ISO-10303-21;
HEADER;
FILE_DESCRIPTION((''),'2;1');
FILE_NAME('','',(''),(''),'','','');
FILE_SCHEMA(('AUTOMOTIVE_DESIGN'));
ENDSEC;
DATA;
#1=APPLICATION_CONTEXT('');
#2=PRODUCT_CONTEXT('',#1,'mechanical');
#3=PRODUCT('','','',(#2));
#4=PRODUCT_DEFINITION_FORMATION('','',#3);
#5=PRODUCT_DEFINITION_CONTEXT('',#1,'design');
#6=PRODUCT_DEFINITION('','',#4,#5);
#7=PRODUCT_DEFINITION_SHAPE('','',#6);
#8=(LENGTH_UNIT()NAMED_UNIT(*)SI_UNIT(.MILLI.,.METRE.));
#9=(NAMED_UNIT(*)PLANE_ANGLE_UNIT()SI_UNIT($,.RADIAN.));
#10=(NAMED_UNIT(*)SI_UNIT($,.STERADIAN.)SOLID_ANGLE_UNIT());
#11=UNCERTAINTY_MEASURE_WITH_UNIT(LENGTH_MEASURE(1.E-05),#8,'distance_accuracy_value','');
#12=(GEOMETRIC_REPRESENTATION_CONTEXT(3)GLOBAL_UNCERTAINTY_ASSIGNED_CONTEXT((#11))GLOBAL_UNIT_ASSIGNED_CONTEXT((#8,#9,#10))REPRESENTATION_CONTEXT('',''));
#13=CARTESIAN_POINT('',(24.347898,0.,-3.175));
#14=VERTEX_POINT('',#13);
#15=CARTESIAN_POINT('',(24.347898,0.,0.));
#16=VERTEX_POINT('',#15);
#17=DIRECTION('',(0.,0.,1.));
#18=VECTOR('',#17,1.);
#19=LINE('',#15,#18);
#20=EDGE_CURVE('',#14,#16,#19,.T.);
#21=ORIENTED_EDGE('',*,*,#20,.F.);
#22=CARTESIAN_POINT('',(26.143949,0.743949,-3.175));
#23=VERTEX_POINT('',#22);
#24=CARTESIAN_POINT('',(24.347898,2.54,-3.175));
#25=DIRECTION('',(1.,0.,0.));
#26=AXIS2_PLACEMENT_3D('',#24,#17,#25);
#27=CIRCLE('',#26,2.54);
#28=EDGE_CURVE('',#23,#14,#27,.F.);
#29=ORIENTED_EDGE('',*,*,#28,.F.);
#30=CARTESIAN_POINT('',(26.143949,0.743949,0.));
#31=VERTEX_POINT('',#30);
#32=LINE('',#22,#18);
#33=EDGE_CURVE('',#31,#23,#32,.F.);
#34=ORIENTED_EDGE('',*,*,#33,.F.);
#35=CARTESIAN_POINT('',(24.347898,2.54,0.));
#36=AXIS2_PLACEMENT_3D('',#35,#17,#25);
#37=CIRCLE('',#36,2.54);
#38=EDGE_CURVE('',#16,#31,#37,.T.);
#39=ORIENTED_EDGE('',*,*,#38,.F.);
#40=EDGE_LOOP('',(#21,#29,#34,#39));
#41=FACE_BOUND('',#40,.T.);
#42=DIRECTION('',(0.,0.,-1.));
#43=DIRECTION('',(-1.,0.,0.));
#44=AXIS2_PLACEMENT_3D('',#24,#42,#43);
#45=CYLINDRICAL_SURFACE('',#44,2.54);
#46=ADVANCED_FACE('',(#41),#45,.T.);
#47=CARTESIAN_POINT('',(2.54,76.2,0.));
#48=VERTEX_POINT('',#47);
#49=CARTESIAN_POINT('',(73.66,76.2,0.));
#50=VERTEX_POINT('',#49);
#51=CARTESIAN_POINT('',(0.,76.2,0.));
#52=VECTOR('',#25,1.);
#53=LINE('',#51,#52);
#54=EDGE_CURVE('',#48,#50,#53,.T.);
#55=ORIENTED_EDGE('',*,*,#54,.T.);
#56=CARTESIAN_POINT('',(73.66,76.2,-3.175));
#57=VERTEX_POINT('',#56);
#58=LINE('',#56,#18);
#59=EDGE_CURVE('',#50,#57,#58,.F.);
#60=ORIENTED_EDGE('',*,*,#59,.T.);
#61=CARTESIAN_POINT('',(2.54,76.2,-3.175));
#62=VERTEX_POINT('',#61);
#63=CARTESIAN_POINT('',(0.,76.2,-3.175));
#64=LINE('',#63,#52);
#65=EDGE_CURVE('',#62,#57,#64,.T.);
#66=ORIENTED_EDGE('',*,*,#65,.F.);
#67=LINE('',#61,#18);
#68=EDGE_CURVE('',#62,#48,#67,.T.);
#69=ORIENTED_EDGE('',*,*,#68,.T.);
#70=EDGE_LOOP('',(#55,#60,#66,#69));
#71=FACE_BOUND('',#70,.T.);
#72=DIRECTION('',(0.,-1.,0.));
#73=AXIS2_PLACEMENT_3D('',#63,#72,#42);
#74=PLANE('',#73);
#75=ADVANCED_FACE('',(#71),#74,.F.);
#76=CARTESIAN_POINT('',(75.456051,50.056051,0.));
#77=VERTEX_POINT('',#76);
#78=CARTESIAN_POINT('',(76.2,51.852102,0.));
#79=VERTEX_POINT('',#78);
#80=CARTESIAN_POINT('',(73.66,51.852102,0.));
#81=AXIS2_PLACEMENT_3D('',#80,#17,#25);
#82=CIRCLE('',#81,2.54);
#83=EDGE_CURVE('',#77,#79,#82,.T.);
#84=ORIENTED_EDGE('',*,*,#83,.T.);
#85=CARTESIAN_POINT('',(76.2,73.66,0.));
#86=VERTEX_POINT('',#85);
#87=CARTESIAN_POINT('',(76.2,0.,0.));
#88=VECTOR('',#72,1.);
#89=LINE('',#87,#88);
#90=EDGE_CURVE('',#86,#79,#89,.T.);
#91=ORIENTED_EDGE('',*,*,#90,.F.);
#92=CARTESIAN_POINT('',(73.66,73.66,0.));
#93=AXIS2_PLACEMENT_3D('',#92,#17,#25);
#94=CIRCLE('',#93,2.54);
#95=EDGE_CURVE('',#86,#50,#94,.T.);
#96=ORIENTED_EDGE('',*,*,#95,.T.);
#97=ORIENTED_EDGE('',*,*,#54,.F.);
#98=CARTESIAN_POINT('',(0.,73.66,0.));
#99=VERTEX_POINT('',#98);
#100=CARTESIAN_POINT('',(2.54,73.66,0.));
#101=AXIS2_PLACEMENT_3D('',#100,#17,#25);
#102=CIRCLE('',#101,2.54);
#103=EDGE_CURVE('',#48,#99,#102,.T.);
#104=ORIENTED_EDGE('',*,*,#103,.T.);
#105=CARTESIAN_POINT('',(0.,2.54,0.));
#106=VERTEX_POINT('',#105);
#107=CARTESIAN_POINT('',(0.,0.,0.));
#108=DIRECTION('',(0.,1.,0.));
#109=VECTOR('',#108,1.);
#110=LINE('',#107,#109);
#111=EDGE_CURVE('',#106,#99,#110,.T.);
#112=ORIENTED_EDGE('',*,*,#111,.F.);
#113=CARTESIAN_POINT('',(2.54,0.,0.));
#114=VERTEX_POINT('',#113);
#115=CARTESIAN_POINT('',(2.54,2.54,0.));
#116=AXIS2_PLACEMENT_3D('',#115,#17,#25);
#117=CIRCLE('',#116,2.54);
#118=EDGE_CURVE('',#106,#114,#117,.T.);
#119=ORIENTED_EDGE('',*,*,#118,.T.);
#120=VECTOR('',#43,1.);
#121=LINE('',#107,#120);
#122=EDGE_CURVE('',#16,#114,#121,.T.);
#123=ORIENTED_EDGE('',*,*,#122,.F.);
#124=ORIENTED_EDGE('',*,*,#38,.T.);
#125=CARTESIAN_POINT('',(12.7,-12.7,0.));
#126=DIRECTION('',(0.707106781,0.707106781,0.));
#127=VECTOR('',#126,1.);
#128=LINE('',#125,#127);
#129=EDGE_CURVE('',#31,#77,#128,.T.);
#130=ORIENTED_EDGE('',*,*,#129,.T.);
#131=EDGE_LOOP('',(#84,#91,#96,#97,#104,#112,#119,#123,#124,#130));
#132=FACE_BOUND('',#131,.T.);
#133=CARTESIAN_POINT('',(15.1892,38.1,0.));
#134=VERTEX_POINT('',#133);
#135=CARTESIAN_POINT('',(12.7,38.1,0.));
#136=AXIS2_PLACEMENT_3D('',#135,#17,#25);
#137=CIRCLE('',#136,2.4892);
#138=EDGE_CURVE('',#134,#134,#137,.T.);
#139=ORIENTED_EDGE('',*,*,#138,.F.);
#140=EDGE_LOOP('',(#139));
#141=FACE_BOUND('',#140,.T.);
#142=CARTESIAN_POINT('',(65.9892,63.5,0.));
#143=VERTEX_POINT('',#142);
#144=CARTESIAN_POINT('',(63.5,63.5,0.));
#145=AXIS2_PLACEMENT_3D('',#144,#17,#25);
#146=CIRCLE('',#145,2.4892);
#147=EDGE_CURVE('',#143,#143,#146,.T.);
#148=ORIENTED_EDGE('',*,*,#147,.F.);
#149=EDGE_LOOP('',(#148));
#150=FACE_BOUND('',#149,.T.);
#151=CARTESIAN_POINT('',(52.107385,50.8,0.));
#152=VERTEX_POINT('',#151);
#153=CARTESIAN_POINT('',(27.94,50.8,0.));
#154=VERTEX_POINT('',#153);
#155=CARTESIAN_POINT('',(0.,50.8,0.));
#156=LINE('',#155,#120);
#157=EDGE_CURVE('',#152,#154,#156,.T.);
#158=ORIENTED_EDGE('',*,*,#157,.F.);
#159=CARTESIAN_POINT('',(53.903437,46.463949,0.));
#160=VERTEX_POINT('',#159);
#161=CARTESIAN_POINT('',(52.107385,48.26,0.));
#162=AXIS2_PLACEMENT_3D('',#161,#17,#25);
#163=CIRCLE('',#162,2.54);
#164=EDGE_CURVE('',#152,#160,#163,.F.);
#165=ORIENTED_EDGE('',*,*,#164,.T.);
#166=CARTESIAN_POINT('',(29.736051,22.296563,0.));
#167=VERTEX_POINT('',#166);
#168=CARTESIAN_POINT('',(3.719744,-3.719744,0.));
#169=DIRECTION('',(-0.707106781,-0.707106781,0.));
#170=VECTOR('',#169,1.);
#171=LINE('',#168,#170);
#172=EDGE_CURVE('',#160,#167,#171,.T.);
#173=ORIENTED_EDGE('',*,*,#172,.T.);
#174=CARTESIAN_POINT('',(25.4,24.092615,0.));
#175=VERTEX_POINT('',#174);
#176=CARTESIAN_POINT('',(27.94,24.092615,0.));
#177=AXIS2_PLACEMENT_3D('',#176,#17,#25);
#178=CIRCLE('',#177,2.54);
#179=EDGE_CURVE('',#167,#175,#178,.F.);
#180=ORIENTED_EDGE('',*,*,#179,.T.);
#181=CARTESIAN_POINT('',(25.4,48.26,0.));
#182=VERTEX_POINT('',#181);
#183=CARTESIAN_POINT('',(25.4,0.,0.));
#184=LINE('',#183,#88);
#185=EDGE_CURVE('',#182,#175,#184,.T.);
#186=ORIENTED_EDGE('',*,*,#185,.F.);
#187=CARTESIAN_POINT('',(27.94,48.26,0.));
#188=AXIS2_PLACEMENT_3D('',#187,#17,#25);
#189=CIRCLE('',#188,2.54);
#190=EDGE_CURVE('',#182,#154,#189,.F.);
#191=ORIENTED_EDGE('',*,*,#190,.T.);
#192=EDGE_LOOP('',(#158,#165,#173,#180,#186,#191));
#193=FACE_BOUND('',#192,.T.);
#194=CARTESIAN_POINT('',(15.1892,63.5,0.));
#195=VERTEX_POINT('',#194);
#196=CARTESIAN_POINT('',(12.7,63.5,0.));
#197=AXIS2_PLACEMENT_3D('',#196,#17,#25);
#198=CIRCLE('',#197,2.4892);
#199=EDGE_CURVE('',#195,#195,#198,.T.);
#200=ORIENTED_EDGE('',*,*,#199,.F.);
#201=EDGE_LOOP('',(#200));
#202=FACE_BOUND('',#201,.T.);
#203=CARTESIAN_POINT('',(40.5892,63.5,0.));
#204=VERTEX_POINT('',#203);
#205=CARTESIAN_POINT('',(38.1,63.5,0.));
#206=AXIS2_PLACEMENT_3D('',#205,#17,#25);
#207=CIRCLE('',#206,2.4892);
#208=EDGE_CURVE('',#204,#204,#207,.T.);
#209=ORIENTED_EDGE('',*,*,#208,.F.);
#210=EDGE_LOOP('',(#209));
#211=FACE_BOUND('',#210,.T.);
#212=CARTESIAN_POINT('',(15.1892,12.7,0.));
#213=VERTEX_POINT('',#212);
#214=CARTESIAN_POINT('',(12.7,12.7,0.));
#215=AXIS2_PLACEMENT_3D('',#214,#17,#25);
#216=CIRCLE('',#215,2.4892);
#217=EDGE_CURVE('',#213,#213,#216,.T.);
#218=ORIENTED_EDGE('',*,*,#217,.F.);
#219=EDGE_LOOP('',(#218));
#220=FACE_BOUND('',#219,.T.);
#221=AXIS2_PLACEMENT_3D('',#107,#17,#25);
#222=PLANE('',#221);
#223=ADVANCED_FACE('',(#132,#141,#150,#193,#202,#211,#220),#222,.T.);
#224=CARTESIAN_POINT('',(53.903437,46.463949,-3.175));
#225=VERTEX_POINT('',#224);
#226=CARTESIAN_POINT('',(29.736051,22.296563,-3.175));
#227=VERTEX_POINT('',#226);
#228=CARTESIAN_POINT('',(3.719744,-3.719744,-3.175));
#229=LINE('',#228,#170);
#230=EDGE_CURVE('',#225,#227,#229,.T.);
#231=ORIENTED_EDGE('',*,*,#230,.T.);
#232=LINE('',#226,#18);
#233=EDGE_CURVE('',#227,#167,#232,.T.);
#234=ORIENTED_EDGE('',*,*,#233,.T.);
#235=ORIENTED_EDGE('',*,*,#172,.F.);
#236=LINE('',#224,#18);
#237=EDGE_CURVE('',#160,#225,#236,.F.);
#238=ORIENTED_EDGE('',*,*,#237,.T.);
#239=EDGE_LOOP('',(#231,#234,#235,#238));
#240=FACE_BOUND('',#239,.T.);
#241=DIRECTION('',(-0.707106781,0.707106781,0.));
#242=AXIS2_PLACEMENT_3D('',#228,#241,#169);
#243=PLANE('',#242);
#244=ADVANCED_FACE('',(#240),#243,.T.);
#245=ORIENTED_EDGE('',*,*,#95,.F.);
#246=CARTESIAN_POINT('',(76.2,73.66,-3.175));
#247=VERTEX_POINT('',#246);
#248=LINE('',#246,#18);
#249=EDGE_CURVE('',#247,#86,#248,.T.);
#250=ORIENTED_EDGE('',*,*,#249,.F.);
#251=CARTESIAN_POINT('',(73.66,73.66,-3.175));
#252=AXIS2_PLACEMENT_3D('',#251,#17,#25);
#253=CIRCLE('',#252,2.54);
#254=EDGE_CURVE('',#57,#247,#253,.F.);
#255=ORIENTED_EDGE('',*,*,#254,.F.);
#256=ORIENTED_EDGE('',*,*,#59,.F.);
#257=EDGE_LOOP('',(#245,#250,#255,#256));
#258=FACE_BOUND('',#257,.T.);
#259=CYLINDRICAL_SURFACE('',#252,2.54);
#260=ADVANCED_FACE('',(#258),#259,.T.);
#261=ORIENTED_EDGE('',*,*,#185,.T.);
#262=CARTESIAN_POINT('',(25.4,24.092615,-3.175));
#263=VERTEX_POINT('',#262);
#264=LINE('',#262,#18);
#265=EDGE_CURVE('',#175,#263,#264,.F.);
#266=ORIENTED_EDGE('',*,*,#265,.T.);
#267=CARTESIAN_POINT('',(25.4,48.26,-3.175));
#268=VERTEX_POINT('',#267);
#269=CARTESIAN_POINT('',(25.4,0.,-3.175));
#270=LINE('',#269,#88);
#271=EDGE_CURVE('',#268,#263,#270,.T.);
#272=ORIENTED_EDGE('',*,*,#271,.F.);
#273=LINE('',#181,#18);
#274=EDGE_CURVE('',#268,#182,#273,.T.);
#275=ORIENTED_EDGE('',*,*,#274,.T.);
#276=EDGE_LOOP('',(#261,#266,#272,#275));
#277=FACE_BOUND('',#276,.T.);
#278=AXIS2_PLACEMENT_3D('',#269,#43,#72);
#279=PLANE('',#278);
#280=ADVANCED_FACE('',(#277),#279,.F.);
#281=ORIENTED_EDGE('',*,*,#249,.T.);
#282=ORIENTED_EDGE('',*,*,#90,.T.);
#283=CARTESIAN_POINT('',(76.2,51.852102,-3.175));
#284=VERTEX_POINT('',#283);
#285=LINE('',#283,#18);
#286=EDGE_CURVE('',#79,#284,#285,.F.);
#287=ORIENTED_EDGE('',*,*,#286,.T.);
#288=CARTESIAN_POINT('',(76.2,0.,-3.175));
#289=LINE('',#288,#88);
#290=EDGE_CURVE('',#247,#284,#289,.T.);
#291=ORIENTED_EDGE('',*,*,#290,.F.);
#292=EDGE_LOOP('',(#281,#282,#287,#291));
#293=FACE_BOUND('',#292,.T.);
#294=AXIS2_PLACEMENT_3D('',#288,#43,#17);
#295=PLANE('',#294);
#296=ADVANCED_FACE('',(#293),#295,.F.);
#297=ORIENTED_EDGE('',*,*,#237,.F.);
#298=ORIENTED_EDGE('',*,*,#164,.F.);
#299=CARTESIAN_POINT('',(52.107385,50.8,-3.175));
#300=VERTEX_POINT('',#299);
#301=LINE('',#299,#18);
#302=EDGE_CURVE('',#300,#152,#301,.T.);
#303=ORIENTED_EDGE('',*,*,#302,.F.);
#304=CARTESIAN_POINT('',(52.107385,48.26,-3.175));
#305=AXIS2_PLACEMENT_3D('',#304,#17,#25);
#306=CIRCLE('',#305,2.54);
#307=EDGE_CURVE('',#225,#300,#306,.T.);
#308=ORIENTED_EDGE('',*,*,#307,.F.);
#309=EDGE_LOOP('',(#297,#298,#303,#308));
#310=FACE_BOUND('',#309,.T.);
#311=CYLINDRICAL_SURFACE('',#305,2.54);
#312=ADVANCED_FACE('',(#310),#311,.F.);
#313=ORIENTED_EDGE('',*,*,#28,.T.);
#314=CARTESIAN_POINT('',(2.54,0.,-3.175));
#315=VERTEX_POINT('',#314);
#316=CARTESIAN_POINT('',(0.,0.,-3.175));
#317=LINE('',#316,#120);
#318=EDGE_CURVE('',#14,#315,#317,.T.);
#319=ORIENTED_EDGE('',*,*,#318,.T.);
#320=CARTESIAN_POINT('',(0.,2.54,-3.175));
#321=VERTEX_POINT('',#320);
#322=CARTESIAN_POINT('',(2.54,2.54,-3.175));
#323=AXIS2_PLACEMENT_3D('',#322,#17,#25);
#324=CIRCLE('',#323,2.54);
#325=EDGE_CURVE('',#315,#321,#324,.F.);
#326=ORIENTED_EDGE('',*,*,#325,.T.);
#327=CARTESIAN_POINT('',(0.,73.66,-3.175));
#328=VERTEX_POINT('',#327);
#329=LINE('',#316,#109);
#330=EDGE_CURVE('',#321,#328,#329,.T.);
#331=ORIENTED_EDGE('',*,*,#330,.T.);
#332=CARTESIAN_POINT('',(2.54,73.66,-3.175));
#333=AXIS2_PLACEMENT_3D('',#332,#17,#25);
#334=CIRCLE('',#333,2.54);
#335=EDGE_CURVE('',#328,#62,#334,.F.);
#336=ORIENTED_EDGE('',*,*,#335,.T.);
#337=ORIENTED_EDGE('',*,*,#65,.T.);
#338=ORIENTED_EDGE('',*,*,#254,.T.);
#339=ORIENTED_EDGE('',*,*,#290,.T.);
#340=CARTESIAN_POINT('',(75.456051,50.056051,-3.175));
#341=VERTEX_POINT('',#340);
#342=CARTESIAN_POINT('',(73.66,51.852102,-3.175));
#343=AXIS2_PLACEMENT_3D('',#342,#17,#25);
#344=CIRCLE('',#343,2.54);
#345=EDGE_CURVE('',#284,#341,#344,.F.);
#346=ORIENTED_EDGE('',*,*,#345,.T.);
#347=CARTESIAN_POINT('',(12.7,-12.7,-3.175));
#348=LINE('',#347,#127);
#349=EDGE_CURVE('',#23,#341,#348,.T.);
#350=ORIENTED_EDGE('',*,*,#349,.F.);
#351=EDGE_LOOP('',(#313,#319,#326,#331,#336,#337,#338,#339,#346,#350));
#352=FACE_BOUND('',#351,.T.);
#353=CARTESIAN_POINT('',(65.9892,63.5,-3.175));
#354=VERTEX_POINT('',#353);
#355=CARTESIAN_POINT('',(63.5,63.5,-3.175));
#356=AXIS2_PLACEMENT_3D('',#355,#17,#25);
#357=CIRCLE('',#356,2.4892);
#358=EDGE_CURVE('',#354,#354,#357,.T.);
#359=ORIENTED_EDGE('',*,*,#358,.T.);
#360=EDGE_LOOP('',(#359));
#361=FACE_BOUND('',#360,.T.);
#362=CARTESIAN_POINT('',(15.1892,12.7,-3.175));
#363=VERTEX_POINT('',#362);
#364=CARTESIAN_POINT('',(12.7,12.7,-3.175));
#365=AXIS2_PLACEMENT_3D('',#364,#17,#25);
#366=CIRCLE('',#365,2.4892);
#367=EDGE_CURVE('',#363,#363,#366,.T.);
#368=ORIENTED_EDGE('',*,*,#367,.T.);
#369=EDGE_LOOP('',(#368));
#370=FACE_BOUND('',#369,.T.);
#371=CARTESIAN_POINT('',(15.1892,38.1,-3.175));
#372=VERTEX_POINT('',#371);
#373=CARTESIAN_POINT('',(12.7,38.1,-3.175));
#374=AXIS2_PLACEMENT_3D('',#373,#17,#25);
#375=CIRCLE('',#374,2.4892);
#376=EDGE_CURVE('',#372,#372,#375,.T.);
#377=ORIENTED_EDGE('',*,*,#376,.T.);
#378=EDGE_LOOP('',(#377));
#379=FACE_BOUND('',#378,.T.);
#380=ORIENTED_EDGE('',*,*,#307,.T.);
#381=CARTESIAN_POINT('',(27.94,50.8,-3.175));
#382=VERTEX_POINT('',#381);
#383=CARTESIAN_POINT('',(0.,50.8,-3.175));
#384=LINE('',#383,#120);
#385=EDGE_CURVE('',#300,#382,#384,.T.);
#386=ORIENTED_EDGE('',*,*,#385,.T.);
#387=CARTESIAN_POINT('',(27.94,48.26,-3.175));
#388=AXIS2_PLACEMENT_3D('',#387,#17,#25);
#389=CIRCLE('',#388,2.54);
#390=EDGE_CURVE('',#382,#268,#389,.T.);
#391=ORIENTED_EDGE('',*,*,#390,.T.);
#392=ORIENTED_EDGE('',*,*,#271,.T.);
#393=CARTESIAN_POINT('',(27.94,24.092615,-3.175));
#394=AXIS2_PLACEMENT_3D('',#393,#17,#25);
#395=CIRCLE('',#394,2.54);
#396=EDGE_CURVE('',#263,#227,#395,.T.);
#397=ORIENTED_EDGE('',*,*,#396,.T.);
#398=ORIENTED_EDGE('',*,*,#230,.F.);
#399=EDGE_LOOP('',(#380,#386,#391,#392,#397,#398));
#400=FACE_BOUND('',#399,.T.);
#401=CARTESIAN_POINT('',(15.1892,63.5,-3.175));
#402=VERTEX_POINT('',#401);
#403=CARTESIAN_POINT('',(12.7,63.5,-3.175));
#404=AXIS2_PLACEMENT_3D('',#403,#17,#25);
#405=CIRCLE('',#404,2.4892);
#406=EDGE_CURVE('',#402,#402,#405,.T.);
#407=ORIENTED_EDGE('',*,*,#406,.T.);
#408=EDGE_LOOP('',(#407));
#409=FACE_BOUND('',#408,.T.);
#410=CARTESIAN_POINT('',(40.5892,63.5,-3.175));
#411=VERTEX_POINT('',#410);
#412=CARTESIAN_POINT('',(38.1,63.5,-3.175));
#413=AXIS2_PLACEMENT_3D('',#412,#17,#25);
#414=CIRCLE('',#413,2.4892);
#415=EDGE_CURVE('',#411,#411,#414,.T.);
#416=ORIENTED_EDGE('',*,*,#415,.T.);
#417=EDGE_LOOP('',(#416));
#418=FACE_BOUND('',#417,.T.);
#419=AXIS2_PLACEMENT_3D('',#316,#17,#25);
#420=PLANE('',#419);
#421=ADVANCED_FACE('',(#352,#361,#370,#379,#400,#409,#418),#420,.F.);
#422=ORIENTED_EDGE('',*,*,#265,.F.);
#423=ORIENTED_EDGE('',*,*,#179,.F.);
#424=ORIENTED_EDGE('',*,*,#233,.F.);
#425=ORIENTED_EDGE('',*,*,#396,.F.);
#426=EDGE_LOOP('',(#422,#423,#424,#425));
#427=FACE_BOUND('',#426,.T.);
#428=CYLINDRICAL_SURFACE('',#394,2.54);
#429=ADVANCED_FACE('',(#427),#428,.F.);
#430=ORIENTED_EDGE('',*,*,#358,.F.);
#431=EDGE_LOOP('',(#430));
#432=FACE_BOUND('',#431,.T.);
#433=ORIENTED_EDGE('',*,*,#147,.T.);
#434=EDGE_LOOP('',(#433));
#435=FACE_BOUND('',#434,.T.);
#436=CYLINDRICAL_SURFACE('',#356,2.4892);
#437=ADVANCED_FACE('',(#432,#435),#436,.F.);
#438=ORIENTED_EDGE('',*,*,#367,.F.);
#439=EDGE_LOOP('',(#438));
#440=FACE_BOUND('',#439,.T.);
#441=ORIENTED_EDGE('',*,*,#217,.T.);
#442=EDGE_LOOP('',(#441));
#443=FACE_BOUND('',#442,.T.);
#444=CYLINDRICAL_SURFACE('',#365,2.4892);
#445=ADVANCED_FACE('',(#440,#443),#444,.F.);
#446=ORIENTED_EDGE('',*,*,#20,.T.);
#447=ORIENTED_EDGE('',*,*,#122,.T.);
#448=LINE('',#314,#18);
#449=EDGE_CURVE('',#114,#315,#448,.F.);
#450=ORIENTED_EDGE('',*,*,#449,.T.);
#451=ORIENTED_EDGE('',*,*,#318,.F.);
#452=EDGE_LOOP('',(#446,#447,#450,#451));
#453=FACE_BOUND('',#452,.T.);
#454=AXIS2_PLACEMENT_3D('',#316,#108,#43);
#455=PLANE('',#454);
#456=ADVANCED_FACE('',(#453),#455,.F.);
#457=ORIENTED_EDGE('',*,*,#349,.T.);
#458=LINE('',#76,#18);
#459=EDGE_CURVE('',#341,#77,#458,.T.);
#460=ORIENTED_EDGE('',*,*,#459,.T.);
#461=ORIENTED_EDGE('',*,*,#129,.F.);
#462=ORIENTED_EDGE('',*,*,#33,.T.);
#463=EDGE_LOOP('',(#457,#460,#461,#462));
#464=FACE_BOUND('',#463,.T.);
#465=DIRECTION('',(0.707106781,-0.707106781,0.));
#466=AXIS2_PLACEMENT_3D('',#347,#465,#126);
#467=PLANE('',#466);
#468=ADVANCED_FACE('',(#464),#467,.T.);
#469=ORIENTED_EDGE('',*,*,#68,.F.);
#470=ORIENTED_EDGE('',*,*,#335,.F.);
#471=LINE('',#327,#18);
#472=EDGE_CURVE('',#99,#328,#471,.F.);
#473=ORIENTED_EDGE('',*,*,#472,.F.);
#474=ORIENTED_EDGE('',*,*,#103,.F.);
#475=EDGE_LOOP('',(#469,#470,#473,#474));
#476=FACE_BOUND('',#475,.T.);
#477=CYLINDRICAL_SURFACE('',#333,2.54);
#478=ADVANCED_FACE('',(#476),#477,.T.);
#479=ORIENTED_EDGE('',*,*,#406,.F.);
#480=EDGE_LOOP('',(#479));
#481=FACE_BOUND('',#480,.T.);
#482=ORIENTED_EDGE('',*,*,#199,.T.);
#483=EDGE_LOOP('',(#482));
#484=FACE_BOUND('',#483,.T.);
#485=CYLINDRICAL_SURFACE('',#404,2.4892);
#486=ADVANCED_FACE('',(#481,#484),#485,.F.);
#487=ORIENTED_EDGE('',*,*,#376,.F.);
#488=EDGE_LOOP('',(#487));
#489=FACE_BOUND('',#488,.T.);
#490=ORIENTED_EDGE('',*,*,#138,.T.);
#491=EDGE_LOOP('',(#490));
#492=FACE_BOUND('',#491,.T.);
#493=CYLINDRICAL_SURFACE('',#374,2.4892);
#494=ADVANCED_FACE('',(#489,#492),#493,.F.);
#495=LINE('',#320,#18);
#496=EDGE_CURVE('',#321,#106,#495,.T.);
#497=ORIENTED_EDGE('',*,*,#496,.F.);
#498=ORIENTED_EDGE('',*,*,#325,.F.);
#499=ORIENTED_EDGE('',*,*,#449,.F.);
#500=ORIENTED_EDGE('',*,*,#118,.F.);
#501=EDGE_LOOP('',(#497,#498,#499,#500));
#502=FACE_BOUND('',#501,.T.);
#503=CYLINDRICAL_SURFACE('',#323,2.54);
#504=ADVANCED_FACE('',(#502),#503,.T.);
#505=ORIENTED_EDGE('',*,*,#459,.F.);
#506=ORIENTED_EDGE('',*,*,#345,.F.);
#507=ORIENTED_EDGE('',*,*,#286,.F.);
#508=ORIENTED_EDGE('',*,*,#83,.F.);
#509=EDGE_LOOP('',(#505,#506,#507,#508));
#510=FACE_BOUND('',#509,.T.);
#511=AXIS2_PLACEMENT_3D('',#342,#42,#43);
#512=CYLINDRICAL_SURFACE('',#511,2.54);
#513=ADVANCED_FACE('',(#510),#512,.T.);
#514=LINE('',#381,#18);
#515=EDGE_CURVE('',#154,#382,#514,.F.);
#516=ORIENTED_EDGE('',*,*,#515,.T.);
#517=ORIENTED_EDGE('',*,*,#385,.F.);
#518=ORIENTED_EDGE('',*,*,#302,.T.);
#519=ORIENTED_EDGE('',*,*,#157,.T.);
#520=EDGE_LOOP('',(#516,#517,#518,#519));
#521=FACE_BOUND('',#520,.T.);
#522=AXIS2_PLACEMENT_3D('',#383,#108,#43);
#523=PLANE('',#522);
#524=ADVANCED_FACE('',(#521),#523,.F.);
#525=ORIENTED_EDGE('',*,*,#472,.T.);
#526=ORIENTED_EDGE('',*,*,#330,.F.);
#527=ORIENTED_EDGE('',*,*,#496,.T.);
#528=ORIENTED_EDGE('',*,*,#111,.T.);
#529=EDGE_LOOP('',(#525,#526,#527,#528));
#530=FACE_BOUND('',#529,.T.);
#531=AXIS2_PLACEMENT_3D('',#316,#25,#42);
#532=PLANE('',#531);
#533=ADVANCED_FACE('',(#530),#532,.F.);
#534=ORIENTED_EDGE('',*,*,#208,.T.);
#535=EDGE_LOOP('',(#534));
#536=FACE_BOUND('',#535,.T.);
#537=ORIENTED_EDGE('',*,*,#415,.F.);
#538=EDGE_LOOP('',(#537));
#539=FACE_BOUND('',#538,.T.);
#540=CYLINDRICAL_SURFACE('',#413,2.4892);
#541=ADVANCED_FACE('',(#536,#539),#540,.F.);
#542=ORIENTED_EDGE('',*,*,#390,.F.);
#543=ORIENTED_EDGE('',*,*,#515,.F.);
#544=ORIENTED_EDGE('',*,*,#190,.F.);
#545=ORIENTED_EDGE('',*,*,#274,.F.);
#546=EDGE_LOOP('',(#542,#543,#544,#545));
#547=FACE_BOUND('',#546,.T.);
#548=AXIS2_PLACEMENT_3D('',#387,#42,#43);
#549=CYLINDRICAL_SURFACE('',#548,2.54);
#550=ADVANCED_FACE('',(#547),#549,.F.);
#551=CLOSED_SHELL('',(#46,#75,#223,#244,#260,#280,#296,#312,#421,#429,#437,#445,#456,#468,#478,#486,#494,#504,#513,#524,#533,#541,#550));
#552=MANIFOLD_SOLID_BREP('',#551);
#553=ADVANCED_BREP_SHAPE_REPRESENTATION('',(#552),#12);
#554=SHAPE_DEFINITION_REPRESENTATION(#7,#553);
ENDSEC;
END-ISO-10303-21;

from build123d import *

# Parameters (mm, degrees)
BOSS_EXTRUDE1_DEPTH = 3.175
SKETCH2_R           = 2.4892
CUT_EXTRUDE1_DEPTH  = 108.809835474
FILLET3_R           = 2.54


with BuildPart() as part:
    # Sketch1 → Boss-Extrude1 (new body)
    with BuildSketch(Plane.XY):
        Polygon((25.4, 0), (0, 0), (0, 76.2), (76.2, 76.2), (76.2, 50.8), align=None)
        Polygon((58.239487758, 50.8), (25.4, 50.8), (25.4, 17.960512242), align=None, mode=Mode.SUBTRACT)
    extrude(amount=-BOSS_EXTRUDE1_DEPTH)

    # Sketch2 → Cut-Extrude1 (cut, through all)
    with BuildSketch(Plane.XY):
        with Locations((12.7, 63.5)):
            Circle(SKETCH2_R)
        with Locations((38.1, 63.5)):
            Circle(SKETCH2_R)
        with Locations((63.5, 63.5)):
            Circle(SKETCH2_R)
        with Locations((12.7, 38.1)):
            Circle(SKETCH2_R)
        with Locations((12.7, 12.7)):
            Circle(SKETCH2_R)
    extrude(amount=-CUT_EXTRUDE1_DEPTH, mode=Mode.SUBTRACT)

    # Fillet3
    fillet3_edges = [part.edges().sort_by_distance(p)[0] for p in [
        (25.4, 50.8, -1.5875),
        (25.4, 17.960512242, -1.5875),
        (58.239487758, 50.8, -1.5875),
        (0, 0, -1.5875),
        (0, 76.2, -1.5875),
        (76.2, 76.2, -1.5875),
        (76.2, 50.8, -1.5875),
        (25.4, 0, -1.5875),
    ]]
    fillet(fillet3_edges, radius=FILLET3_R)


solid = part.part
